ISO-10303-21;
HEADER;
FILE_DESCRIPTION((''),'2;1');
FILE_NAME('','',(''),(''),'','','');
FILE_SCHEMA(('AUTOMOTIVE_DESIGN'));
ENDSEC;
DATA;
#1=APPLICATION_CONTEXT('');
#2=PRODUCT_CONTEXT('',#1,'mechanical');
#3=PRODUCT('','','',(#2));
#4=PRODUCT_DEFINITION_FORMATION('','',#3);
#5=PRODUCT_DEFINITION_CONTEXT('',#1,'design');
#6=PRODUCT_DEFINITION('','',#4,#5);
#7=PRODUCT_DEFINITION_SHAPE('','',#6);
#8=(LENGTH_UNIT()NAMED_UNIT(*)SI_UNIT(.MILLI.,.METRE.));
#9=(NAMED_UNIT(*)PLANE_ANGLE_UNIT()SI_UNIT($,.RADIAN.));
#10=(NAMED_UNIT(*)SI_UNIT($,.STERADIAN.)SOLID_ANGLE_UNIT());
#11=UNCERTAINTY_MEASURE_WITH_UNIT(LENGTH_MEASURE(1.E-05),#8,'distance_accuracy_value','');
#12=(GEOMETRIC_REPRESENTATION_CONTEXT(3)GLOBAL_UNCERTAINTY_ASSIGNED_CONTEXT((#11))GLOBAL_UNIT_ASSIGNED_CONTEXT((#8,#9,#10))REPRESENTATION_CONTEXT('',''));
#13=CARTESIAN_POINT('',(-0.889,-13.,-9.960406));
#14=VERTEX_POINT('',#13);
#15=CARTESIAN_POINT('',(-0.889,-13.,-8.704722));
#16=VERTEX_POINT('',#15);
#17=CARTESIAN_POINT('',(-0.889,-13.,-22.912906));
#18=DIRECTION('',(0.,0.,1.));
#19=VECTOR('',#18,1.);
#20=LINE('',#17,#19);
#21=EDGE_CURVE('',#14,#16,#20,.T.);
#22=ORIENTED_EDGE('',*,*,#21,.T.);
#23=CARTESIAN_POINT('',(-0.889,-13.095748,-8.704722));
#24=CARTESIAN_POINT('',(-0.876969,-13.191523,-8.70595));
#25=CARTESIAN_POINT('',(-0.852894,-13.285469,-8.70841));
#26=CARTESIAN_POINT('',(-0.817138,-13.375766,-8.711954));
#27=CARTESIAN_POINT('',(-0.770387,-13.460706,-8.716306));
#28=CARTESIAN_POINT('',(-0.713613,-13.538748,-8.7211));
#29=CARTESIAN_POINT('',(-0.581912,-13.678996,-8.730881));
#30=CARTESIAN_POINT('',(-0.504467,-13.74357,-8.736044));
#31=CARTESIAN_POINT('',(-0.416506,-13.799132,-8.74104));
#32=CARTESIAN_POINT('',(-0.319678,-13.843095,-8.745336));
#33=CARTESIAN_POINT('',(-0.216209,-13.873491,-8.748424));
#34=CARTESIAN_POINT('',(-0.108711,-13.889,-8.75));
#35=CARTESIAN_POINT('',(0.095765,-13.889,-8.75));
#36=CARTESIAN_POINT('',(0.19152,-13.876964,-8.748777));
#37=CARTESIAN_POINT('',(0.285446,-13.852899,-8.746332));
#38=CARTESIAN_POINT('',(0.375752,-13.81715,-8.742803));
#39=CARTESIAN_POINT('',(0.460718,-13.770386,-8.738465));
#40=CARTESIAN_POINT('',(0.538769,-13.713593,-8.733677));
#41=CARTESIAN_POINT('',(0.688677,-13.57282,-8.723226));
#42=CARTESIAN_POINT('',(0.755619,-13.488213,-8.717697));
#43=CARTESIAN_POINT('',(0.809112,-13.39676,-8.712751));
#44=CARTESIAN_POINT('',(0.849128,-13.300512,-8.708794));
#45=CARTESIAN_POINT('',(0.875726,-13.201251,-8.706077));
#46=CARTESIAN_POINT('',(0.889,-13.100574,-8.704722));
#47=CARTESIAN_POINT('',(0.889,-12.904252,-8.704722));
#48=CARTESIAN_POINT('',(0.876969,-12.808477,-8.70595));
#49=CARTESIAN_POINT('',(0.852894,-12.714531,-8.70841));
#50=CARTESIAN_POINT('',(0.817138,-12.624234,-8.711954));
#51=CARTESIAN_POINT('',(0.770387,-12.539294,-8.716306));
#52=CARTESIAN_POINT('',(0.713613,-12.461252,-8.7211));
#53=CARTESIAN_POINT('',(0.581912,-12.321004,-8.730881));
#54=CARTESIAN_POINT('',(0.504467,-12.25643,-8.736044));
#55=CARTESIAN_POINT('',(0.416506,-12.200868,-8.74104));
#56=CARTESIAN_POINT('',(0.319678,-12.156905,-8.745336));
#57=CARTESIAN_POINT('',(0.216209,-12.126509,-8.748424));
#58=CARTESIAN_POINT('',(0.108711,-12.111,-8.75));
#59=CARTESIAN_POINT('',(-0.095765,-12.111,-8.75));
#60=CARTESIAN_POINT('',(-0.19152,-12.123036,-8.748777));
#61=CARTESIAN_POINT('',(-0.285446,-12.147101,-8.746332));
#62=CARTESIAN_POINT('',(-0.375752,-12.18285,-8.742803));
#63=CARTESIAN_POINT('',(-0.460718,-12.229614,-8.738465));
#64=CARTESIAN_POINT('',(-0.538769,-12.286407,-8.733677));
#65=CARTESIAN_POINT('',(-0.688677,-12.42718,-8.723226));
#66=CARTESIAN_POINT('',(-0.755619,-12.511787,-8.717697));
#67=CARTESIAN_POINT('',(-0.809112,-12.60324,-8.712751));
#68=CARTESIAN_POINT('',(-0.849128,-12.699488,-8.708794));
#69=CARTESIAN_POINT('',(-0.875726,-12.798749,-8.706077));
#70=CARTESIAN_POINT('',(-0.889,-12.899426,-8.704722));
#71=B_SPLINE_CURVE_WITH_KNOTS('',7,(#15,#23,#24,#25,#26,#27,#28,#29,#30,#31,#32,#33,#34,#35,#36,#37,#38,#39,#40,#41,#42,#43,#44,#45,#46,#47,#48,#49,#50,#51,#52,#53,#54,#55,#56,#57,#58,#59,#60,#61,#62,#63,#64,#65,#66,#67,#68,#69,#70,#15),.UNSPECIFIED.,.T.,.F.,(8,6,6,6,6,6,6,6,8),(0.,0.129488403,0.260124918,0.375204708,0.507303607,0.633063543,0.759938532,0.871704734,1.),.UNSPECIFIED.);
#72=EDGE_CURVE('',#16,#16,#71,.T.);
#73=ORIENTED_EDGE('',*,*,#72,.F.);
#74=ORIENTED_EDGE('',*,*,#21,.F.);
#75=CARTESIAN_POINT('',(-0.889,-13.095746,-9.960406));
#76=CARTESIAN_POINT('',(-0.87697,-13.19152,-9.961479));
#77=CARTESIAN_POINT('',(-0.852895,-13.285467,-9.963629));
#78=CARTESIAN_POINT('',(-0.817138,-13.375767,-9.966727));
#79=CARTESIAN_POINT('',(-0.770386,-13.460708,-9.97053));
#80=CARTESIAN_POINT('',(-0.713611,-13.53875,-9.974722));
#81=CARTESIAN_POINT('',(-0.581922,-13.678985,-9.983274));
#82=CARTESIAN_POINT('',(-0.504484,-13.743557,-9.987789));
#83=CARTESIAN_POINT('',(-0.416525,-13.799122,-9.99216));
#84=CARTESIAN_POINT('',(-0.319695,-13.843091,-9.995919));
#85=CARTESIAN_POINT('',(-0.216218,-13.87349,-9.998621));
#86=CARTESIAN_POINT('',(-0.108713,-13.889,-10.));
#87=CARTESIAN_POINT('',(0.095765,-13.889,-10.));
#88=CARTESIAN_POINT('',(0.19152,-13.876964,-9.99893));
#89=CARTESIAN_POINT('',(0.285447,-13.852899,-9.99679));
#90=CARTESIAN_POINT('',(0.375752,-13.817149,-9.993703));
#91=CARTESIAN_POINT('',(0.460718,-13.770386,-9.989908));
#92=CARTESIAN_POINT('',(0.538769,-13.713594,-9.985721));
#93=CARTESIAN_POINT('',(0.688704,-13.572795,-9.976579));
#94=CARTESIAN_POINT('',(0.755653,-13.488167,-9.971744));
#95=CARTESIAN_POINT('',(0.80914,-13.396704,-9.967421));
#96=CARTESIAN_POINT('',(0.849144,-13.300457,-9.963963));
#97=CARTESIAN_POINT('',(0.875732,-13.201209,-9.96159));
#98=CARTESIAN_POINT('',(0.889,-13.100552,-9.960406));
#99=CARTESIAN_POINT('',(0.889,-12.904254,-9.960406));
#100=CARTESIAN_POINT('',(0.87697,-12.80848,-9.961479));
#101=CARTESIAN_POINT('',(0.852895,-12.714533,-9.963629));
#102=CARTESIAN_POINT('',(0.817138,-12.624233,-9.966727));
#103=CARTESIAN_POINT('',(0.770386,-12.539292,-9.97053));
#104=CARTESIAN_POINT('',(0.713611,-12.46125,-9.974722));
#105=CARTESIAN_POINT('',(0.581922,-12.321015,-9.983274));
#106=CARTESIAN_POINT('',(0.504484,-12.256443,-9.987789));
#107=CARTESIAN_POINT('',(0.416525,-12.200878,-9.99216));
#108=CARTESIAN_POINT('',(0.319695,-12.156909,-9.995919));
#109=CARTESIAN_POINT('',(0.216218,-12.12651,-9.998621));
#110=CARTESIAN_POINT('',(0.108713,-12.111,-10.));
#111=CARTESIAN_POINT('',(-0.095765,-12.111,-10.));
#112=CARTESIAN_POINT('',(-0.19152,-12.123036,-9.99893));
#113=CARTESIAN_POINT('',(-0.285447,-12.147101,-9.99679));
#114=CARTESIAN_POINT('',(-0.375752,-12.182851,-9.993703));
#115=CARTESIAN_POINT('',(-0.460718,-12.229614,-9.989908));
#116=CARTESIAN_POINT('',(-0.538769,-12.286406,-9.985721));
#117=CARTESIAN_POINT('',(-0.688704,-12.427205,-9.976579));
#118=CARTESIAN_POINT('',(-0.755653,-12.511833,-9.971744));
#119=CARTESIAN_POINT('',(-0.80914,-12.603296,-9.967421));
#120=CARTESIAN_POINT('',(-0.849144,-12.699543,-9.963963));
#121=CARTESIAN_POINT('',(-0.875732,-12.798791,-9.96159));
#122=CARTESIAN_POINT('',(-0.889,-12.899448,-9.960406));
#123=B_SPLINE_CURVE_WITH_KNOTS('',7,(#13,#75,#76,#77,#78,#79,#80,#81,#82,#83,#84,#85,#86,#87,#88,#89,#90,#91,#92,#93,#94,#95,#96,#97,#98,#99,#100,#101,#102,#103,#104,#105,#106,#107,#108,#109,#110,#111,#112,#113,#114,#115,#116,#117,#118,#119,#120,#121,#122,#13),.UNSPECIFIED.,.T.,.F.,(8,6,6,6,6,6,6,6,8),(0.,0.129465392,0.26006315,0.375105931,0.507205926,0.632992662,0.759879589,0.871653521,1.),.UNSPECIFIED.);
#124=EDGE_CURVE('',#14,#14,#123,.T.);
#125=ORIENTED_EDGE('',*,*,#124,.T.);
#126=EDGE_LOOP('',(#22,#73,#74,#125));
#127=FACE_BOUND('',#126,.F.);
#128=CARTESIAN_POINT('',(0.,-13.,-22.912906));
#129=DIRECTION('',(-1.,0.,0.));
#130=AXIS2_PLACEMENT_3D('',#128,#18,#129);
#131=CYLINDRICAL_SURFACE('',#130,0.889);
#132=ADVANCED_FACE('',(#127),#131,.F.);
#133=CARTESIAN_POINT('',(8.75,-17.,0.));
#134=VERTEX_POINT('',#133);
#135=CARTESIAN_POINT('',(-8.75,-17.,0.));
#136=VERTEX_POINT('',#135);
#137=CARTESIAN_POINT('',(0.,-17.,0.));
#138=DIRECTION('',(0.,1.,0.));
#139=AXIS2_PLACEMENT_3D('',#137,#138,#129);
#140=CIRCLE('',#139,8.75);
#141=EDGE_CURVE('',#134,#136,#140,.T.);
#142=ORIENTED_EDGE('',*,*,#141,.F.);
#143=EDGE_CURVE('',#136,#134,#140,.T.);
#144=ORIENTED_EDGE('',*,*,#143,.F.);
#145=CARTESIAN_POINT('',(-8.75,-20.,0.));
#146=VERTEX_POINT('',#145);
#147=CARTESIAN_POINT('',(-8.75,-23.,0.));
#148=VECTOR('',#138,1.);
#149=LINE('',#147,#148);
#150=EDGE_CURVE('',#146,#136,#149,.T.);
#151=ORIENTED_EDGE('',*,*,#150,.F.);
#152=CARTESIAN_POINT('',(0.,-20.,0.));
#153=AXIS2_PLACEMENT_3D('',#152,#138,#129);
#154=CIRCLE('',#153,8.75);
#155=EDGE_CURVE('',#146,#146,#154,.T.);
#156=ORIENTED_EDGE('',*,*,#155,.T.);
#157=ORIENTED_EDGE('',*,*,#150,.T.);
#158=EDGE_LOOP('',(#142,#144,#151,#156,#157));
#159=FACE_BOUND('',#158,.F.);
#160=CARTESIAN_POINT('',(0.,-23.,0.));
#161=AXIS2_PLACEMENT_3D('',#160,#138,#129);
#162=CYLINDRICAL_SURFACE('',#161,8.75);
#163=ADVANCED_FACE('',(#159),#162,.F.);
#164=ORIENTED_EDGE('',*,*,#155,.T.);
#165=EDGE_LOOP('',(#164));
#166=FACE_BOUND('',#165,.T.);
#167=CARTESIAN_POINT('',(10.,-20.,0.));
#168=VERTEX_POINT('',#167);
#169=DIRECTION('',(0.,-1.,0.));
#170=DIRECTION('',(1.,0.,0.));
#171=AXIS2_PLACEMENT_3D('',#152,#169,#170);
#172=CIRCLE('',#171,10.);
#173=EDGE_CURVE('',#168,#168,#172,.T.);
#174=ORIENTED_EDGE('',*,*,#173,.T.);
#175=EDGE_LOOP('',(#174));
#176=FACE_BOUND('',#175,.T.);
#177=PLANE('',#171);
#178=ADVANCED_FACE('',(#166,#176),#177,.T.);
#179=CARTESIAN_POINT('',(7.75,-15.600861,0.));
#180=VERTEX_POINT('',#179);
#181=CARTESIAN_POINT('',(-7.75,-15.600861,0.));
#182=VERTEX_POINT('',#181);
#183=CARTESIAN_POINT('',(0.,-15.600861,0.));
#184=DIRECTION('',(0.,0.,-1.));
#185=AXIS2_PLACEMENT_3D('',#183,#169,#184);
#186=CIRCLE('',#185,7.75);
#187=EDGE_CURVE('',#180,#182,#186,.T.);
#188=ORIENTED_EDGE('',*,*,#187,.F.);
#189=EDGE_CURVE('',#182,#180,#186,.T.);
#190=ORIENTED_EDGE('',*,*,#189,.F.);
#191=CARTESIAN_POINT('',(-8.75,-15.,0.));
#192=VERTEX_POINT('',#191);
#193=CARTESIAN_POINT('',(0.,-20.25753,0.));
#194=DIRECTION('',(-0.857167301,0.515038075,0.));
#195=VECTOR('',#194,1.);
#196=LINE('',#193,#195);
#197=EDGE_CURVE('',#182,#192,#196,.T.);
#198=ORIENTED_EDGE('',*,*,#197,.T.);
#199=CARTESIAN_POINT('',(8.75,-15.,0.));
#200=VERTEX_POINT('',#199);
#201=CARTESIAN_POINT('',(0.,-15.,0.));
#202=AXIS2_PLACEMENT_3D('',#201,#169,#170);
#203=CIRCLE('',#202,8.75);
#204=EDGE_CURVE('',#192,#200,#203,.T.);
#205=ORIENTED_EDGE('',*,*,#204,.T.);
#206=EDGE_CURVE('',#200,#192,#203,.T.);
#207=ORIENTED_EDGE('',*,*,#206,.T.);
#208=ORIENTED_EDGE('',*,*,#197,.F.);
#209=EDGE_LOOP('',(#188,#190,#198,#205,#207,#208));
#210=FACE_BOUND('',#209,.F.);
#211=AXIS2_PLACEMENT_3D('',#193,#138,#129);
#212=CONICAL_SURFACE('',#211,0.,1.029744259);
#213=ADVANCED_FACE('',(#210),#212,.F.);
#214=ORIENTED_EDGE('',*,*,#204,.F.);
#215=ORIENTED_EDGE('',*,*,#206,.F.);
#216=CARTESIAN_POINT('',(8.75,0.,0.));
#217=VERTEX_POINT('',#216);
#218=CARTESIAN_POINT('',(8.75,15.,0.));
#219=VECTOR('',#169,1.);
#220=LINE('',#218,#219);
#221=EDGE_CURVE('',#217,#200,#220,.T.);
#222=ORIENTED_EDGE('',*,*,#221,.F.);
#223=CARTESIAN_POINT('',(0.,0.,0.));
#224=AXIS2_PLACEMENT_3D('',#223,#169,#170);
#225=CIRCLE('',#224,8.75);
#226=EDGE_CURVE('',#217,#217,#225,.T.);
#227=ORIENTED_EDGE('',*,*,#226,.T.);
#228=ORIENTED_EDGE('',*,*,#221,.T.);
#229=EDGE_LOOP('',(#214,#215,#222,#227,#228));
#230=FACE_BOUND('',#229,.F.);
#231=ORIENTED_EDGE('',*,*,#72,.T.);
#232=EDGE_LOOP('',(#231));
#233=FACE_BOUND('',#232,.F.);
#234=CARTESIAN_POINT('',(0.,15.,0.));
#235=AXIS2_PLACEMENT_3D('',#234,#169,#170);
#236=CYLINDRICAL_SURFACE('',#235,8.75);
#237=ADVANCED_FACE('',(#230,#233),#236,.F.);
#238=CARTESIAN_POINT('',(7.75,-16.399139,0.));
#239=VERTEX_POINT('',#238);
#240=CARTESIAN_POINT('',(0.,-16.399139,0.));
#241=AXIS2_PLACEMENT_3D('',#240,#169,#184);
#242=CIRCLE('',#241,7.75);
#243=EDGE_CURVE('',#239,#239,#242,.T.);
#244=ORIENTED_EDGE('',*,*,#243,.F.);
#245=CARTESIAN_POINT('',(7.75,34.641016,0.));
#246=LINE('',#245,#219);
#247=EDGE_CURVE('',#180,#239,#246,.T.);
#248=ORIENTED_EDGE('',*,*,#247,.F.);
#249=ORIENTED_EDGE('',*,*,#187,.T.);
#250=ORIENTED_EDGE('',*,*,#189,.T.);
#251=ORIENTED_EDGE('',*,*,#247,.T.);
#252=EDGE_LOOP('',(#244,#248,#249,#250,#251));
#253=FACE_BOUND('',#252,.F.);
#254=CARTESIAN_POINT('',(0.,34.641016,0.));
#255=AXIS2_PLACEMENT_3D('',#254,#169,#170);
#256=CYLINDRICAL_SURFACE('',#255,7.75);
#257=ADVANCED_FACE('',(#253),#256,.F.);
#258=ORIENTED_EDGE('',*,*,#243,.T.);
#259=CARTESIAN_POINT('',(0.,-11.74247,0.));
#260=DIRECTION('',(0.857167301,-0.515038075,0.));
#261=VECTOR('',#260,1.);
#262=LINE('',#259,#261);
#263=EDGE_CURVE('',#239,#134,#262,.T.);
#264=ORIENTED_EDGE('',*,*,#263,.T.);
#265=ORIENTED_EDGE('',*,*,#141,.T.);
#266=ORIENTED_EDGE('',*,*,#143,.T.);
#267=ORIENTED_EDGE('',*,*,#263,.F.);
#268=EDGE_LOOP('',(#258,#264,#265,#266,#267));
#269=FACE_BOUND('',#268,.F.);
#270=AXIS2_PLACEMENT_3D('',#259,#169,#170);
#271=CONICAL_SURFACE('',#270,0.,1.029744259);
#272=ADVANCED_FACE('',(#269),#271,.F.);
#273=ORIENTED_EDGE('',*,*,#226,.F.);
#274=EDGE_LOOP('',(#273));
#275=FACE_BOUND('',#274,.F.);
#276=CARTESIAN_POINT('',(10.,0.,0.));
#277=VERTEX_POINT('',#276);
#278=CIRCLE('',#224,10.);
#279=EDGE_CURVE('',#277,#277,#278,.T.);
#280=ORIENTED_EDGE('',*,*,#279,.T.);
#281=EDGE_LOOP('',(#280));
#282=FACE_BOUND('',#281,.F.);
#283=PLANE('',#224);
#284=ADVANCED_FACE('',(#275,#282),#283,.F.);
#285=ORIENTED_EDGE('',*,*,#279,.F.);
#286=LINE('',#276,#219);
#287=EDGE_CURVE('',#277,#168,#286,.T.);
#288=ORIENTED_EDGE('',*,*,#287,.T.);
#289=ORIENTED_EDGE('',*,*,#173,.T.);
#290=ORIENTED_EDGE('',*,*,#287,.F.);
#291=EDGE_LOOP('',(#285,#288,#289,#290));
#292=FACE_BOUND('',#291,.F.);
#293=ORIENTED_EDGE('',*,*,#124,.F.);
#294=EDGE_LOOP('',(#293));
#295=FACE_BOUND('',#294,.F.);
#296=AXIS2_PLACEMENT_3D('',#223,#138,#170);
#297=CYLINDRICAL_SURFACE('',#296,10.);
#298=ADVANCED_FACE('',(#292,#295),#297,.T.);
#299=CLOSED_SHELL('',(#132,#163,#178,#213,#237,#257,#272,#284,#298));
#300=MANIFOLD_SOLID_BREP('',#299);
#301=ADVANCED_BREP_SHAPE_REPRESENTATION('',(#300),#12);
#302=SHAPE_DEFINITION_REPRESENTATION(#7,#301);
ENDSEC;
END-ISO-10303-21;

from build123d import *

# Parameters (mm, degrees)
F0_R      = 10
F1_DEPTH  = 20
F3_D      = 15.5
F5_D      = 17.5
F5_DEPTH  = 3
F5_TIP    = 5.2575304165
F7_D      = 17.5
F7_DEPTH  = 15
F7_TIP    = 5.2575304165
F10_D     = 1.778
F10_DEPTH = 12.9525
F10_START = 0.0395945
F10_TIP   = 0.5341650903


with BuildPart() as f1:
    # F0 (on Front) → F1 (new body)
    with BuildSketch(Plane.XZ):
        Circle(F0_R)
    extrude(amount=F1_DEPTH)

    # F3 (through all)
    with Locations(Plane(origin=(0, 0, 0), x_dir=(-1, 0, 0), z_dir=(0, 1, 0))):
        with Locations((0, 0)):
            Hole(F3_D / 2)

    # F5
    with Locations(Plane.XZ.offset(20)):
        with Locations((0, 0)):
            Hole(F5_D / 2, depth=F5_DEPTH)
            with Locations((0, 0, -(F5_DEPTH + F5_TIP / 2))):  # 118° drill point
                Cone(0, F5_D / 2, F5_TIP, mode=Mode.SUBTRACT)

    # F7
    with Locations(Plane(origin=(0, 0, 0), x_dir=(-1, 0, 0), z_dir=(0, 1, 0))):
        with Locations((0, 0)):
            Hole(F7_D / 2, depth=F7_DEPTH)
            with Locations((0, 0, -(F7_DEPTH + F7_TIP / 2))):  # 118° drill point
                Cone(0, F7_D / 2, F7_TIP, mode=Mode.SUBTRACT)

    # F10
    # its depths count from where the whole tool has entered the part; down to there all is cleared
    with Locations(Plane(origin=(0, 0, -10), x_dir=(1, 0, 0), z_dir=(0, 0, -1)).offset(-F10_START)):
        with Locations((0, 13)):
            Hole(F10_D / 2, depth=F10_DEPTH)
            with Locations((0, 0, -(F10_DEPTH + F10_TIP / 2))):  # 118° drill point
                Cone(0, F10_D / 2, F10_TIP, mode=Mode.SUBTRACT)


solid = f1.part
